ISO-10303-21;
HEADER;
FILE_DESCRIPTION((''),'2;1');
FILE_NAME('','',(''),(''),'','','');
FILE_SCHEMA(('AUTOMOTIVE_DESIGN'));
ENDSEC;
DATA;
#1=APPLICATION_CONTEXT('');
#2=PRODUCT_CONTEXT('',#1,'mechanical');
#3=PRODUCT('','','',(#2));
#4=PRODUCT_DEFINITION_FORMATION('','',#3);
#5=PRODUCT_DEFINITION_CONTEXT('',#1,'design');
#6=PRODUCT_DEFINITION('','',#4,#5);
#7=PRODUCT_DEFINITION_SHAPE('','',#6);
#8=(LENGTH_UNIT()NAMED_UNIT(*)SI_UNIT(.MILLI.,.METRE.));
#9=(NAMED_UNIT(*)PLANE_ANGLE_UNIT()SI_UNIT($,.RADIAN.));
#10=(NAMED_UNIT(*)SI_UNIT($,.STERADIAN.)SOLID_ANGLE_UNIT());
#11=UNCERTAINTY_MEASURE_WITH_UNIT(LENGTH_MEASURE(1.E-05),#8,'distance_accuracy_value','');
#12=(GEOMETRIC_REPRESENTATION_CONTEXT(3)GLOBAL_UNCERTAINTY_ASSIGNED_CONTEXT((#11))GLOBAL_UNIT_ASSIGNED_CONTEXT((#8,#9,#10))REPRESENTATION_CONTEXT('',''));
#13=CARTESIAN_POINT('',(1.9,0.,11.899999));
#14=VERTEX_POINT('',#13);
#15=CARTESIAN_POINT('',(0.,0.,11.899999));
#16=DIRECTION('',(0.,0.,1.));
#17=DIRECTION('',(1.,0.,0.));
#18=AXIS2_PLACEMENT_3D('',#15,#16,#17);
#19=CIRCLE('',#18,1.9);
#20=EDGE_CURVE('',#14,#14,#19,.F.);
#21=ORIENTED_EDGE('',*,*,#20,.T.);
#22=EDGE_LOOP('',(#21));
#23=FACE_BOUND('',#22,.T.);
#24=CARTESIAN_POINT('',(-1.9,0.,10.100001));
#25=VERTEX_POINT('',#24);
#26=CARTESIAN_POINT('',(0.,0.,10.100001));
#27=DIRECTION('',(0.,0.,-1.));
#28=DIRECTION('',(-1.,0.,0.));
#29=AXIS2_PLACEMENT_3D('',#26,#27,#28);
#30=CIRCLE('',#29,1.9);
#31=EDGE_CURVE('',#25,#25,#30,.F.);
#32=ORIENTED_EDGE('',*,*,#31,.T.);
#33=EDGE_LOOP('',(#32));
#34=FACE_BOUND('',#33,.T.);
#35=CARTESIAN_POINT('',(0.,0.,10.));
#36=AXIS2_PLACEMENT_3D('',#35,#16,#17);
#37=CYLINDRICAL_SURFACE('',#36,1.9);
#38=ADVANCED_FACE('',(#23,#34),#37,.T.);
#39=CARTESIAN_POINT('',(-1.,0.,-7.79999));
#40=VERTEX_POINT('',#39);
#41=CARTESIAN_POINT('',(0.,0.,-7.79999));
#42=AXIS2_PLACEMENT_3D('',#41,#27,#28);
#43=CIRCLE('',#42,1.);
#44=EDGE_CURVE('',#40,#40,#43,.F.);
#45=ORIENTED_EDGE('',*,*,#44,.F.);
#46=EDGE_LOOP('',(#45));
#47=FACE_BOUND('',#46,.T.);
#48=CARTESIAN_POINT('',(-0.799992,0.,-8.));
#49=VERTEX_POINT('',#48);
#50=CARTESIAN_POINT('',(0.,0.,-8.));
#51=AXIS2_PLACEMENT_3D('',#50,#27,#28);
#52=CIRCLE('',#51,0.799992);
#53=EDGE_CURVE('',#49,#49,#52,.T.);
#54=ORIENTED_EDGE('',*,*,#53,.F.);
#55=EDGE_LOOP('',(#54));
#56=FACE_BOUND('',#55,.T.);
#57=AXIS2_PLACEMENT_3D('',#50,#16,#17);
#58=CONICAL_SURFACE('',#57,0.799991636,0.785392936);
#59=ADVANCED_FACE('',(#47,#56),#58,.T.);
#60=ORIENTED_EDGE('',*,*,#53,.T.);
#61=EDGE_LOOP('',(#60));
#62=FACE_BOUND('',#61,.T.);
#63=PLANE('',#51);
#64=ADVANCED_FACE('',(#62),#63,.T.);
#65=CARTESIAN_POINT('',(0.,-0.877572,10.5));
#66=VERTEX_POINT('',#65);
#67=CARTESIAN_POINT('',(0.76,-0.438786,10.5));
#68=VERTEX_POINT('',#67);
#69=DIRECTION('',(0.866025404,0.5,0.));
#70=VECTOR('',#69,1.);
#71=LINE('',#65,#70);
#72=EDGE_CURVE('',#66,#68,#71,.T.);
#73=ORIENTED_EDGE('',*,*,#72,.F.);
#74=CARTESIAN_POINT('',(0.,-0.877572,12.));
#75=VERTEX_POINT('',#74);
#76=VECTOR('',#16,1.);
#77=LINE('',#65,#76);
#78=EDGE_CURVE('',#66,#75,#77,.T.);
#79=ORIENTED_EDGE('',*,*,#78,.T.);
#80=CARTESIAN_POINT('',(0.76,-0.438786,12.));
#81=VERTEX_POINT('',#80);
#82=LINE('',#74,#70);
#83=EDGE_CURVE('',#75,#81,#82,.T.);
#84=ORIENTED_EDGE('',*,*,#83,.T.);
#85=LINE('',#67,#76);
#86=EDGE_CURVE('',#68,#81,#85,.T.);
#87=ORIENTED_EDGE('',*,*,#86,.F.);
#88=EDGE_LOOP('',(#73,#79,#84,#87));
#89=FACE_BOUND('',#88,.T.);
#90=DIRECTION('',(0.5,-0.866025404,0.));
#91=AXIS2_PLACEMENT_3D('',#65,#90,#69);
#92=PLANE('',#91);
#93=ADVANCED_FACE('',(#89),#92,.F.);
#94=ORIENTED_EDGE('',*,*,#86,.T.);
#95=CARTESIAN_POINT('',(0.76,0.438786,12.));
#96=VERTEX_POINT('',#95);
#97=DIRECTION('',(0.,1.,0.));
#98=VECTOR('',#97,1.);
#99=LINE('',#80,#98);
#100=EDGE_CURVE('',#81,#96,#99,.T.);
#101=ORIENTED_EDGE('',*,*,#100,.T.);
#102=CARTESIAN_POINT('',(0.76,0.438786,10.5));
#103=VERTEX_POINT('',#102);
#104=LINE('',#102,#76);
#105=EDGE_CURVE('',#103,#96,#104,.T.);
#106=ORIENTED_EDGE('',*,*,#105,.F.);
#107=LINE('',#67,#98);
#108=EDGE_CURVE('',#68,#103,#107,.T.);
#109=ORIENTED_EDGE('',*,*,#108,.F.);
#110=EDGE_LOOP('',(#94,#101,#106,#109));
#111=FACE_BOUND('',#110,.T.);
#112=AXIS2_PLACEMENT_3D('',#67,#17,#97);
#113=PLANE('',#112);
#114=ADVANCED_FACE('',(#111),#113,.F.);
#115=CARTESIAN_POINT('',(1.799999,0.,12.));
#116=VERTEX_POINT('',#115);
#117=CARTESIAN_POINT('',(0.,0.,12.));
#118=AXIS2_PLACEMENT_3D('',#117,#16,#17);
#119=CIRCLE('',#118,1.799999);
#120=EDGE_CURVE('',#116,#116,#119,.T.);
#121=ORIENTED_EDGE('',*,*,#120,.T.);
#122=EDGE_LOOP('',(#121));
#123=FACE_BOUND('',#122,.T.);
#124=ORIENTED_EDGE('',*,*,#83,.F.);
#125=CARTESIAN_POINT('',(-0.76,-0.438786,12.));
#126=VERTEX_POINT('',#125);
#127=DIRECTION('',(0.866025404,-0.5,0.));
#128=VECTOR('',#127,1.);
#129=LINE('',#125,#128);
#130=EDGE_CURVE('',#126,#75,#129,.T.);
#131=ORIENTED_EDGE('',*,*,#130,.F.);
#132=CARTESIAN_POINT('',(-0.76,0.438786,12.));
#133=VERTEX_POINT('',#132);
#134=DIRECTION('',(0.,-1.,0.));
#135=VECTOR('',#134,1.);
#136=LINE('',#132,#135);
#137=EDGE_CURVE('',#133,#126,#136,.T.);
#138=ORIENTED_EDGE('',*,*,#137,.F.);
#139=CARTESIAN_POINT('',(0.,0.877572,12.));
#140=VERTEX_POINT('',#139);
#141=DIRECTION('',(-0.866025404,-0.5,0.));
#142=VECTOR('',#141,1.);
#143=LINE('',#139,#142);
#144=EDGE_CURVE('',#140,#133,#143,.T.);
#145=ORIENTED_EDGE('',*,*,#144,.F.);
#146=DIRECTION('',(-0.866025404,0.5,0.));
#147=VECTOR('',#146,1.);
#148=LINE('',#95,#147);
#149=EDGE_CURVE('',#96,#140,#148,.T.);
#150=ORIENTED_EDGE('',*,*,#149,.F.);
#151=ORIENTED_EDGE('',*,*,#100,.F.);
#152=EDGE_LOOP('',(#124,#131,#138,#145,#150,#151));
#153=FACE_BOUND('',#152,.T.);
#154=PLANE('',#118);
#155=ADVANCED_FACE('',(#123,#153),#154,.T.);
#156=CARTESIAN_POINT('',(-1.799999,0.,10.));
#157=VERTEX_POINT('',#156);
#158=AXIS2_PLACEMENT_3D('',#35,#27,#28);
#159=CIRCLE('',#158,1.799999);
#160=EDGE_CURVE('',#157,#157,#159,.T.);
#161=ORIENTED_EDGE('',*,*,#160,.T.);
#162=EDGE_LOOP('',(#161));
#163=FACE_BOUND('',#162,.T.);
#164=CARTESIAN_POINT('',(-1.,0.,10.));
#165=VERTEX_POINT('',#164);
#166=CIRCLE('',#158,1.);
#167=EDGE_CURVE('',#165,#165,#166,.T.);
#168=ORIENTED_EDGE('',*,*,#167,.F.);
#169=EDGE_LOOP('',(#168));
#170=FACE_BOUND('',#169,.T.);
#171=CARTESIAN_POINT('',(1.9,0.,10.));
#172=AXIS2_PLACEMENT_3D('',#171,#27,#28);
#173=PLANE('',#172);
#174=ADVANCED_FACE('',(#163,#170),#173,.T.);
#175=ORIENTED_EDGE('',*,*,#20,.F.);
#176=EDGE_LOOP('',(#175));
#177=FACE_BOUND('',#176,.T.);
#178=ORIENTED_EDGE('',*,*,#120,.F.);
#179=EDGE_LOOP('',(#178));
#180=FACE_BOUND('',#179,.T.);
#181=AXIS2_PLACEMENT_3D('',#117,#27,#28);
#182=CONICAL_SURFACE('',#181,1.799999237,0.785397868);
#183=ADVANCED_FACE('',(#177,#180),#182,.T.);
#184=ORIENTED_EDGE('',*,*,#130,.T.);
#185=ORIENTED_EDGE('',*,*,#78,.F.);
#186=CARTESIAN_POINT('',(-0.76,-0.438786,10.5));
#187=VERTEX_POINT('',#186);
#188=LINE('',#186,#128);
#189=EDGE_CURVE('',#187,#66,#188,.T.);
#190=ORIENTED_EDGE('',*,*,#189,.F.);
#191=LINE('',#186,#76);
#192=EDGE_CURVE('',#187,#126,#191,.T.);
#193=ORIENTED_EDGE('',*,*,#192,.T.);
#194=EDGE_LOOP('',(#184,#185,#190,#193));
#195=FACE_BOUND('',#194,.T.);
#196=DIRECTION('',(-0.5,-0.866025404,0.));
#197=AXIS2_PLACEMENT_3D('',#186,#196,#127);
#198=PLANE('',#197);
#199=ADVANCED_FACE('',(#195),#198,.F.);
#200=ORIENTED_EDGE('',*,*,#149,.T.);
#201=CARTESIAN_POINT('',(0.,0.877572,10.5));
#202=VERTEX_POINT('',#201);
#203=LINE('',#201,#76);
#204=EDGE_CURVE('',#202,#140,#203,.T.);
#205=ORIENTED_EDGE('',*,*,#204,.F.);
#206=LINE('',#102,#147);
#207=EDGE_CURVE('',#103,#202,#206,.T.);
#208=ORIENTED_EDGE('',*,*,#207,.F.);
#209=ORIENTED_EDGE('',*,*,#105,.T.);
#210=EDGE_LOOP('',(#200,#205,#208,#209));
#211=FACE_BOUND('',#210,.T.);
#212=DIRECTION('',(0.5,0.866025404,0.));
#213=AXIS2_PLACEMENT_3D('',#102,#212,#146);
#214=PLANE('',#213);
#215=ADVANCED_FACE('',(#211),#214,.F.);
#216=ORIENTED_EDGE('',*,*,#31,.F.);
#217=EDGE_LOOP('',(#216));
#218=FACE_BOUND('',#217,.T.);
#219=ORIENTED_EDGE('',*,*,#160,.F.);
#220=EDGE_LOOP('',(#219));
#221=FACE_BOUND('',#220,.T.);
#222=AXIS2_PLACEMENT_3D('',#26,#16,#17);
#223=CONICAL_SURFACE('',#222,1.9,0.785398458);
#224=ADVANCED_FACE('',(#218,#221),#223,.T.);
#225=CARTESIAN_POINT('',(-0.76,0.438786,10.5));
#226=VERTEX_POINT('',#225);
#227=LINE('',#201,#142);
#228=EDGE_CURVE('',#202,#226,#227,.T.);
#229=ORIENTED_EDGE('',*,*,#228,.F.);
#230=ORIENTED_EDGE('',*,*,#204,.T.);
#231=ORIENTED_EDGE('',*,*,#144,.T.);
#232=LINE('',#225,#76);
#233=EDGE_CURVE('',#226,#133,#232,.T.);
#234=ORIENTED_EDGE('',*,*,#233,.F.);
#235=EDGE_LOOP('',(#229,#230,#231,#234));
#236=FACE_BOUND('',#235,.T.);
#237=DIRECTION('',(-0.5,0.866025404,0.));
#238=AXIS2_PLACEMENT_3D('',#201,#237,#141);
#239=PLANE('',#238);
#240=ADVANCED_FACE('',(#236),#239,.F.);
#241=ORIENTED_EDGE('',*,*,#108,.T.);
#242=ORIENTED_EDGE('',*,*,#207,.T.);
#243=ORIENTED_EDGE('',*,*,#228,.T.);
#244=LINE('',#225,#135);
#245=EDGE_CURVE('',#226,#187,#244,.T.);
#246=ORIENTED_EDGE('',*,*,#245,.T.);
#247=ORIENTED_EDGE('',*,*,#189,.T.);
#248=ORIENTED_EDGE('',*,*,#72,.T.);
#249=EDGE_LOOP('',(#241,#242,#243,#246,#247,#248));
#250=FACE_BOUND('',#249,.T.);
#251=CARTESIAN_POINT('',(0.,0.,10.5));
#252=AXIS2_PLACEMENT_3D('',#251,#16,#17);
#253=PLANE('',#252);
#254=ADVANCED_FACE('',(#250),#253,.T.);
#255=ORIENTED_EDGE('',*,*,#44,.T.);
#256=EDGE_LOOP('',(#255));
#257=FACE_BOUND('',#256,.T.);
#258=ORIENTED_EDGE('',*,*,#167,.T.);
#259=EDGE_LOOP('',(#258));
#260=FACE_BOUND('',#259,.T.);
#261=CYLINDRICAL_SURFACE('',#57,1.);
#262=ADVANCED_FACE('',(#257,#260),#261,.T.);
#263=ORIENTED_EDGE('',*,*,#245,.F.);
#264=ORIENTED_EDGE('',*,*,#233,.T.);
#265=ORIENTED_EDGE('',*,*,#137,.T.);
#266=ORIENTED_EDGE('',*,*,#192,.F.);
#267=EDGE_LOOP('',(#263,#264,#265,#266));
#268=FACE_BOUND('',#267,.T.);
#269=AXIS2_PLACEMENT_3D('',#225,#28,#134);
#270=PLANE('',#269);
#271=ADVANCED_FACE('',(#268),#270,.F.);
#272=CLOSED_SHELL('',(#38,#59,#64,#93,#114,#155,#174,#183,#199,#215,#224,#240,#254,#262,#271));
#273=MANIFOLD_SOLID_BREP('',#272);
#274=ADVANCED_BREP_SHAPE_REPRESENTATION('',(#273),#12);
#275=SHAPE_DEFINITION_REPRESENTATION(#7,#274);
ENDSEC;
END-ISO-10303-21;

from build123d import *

# Parameters (mm, degrees)
SKETCH_1_W          = 1.9
SKETCH_1_H          = 2
SKETCH_2_R          = 1
EXTRUDE_1_DEPTH     = 18
CUT_EXTRUDE_1_DEPTH = 1.5
CHAMFER_1_SIZE2     = 0.100000822
CHAMFER_1_SIZE      = 0.100000763
CHAMFER_2_SIZE      = 0.200008364
CHAMFER_2_SIZE2     = 0.200010455


with BuildPart() as part:
    # 草图1 → 旋转1 (revolve)
    with BuildSketch(Plane(origin=(0, 0, 0), x_dir=(1, 0, 0), z_dir=(0, 1, 0))):
        with Locations((0.95, -11)):
            Rectangle(SKETCH_1_W, SKETCH_1_H)
    revolve(axis=Axis((0, 0, 10), (0, 0, 1)))

    # 草图2 → 凸台-拉伸1 (add)
    with BuildSketch(Plane(origin=(0, 0, 10), x_dir=(-1, 0, 0), z_dir=(0, 0, -1))):
        Circle(SKETCH_2_R)
    extrude(amount=EXTRUDE_1_DEPTH)

    # 草图3 → 切除-拉伸1 (cut)
    with BuildSketch(Plane.XY.offset(12)):
        Polygon((-0.76, -0.438786205), (0, -0.877572409), (0.76, -0.438786205), (0.76, 0.438786205), (0, 0.877572409), (-0.76, 0.438786205), align=None)
    extrude(amount=-CUT_EXTRUDE_1_DEPTH, mode=Mode.SUBTRACT)

    # 倒角1
    chamfer_1_edges = [part.edges().sort_by_distance(p)[0] for p in [
        (-1.9, 0, 12),
        (-1.9, 0, 10),
    ]]
    chamfer(chamfer_1_edges, length=CHAMFER_1_SIZE, length2=CHAMFER_1_SIZE2)

    # 倒角2
    chamfer_2_edges = [part.edges().sort_by_distance(p)[0] for p in [
        (1, 0, -8),
    ]]
    chamfer_2_side = [part.faces().sort_by_distance(p)[0] for p in [
        (1, 0, 1),
    ]]
    chamfer(chamfer_2_edges, length=CHAMFER_2_SIZE, length2=CHAMFER_2_SIZE2, reference=chamfer_2_side[0])


solid = part.part
